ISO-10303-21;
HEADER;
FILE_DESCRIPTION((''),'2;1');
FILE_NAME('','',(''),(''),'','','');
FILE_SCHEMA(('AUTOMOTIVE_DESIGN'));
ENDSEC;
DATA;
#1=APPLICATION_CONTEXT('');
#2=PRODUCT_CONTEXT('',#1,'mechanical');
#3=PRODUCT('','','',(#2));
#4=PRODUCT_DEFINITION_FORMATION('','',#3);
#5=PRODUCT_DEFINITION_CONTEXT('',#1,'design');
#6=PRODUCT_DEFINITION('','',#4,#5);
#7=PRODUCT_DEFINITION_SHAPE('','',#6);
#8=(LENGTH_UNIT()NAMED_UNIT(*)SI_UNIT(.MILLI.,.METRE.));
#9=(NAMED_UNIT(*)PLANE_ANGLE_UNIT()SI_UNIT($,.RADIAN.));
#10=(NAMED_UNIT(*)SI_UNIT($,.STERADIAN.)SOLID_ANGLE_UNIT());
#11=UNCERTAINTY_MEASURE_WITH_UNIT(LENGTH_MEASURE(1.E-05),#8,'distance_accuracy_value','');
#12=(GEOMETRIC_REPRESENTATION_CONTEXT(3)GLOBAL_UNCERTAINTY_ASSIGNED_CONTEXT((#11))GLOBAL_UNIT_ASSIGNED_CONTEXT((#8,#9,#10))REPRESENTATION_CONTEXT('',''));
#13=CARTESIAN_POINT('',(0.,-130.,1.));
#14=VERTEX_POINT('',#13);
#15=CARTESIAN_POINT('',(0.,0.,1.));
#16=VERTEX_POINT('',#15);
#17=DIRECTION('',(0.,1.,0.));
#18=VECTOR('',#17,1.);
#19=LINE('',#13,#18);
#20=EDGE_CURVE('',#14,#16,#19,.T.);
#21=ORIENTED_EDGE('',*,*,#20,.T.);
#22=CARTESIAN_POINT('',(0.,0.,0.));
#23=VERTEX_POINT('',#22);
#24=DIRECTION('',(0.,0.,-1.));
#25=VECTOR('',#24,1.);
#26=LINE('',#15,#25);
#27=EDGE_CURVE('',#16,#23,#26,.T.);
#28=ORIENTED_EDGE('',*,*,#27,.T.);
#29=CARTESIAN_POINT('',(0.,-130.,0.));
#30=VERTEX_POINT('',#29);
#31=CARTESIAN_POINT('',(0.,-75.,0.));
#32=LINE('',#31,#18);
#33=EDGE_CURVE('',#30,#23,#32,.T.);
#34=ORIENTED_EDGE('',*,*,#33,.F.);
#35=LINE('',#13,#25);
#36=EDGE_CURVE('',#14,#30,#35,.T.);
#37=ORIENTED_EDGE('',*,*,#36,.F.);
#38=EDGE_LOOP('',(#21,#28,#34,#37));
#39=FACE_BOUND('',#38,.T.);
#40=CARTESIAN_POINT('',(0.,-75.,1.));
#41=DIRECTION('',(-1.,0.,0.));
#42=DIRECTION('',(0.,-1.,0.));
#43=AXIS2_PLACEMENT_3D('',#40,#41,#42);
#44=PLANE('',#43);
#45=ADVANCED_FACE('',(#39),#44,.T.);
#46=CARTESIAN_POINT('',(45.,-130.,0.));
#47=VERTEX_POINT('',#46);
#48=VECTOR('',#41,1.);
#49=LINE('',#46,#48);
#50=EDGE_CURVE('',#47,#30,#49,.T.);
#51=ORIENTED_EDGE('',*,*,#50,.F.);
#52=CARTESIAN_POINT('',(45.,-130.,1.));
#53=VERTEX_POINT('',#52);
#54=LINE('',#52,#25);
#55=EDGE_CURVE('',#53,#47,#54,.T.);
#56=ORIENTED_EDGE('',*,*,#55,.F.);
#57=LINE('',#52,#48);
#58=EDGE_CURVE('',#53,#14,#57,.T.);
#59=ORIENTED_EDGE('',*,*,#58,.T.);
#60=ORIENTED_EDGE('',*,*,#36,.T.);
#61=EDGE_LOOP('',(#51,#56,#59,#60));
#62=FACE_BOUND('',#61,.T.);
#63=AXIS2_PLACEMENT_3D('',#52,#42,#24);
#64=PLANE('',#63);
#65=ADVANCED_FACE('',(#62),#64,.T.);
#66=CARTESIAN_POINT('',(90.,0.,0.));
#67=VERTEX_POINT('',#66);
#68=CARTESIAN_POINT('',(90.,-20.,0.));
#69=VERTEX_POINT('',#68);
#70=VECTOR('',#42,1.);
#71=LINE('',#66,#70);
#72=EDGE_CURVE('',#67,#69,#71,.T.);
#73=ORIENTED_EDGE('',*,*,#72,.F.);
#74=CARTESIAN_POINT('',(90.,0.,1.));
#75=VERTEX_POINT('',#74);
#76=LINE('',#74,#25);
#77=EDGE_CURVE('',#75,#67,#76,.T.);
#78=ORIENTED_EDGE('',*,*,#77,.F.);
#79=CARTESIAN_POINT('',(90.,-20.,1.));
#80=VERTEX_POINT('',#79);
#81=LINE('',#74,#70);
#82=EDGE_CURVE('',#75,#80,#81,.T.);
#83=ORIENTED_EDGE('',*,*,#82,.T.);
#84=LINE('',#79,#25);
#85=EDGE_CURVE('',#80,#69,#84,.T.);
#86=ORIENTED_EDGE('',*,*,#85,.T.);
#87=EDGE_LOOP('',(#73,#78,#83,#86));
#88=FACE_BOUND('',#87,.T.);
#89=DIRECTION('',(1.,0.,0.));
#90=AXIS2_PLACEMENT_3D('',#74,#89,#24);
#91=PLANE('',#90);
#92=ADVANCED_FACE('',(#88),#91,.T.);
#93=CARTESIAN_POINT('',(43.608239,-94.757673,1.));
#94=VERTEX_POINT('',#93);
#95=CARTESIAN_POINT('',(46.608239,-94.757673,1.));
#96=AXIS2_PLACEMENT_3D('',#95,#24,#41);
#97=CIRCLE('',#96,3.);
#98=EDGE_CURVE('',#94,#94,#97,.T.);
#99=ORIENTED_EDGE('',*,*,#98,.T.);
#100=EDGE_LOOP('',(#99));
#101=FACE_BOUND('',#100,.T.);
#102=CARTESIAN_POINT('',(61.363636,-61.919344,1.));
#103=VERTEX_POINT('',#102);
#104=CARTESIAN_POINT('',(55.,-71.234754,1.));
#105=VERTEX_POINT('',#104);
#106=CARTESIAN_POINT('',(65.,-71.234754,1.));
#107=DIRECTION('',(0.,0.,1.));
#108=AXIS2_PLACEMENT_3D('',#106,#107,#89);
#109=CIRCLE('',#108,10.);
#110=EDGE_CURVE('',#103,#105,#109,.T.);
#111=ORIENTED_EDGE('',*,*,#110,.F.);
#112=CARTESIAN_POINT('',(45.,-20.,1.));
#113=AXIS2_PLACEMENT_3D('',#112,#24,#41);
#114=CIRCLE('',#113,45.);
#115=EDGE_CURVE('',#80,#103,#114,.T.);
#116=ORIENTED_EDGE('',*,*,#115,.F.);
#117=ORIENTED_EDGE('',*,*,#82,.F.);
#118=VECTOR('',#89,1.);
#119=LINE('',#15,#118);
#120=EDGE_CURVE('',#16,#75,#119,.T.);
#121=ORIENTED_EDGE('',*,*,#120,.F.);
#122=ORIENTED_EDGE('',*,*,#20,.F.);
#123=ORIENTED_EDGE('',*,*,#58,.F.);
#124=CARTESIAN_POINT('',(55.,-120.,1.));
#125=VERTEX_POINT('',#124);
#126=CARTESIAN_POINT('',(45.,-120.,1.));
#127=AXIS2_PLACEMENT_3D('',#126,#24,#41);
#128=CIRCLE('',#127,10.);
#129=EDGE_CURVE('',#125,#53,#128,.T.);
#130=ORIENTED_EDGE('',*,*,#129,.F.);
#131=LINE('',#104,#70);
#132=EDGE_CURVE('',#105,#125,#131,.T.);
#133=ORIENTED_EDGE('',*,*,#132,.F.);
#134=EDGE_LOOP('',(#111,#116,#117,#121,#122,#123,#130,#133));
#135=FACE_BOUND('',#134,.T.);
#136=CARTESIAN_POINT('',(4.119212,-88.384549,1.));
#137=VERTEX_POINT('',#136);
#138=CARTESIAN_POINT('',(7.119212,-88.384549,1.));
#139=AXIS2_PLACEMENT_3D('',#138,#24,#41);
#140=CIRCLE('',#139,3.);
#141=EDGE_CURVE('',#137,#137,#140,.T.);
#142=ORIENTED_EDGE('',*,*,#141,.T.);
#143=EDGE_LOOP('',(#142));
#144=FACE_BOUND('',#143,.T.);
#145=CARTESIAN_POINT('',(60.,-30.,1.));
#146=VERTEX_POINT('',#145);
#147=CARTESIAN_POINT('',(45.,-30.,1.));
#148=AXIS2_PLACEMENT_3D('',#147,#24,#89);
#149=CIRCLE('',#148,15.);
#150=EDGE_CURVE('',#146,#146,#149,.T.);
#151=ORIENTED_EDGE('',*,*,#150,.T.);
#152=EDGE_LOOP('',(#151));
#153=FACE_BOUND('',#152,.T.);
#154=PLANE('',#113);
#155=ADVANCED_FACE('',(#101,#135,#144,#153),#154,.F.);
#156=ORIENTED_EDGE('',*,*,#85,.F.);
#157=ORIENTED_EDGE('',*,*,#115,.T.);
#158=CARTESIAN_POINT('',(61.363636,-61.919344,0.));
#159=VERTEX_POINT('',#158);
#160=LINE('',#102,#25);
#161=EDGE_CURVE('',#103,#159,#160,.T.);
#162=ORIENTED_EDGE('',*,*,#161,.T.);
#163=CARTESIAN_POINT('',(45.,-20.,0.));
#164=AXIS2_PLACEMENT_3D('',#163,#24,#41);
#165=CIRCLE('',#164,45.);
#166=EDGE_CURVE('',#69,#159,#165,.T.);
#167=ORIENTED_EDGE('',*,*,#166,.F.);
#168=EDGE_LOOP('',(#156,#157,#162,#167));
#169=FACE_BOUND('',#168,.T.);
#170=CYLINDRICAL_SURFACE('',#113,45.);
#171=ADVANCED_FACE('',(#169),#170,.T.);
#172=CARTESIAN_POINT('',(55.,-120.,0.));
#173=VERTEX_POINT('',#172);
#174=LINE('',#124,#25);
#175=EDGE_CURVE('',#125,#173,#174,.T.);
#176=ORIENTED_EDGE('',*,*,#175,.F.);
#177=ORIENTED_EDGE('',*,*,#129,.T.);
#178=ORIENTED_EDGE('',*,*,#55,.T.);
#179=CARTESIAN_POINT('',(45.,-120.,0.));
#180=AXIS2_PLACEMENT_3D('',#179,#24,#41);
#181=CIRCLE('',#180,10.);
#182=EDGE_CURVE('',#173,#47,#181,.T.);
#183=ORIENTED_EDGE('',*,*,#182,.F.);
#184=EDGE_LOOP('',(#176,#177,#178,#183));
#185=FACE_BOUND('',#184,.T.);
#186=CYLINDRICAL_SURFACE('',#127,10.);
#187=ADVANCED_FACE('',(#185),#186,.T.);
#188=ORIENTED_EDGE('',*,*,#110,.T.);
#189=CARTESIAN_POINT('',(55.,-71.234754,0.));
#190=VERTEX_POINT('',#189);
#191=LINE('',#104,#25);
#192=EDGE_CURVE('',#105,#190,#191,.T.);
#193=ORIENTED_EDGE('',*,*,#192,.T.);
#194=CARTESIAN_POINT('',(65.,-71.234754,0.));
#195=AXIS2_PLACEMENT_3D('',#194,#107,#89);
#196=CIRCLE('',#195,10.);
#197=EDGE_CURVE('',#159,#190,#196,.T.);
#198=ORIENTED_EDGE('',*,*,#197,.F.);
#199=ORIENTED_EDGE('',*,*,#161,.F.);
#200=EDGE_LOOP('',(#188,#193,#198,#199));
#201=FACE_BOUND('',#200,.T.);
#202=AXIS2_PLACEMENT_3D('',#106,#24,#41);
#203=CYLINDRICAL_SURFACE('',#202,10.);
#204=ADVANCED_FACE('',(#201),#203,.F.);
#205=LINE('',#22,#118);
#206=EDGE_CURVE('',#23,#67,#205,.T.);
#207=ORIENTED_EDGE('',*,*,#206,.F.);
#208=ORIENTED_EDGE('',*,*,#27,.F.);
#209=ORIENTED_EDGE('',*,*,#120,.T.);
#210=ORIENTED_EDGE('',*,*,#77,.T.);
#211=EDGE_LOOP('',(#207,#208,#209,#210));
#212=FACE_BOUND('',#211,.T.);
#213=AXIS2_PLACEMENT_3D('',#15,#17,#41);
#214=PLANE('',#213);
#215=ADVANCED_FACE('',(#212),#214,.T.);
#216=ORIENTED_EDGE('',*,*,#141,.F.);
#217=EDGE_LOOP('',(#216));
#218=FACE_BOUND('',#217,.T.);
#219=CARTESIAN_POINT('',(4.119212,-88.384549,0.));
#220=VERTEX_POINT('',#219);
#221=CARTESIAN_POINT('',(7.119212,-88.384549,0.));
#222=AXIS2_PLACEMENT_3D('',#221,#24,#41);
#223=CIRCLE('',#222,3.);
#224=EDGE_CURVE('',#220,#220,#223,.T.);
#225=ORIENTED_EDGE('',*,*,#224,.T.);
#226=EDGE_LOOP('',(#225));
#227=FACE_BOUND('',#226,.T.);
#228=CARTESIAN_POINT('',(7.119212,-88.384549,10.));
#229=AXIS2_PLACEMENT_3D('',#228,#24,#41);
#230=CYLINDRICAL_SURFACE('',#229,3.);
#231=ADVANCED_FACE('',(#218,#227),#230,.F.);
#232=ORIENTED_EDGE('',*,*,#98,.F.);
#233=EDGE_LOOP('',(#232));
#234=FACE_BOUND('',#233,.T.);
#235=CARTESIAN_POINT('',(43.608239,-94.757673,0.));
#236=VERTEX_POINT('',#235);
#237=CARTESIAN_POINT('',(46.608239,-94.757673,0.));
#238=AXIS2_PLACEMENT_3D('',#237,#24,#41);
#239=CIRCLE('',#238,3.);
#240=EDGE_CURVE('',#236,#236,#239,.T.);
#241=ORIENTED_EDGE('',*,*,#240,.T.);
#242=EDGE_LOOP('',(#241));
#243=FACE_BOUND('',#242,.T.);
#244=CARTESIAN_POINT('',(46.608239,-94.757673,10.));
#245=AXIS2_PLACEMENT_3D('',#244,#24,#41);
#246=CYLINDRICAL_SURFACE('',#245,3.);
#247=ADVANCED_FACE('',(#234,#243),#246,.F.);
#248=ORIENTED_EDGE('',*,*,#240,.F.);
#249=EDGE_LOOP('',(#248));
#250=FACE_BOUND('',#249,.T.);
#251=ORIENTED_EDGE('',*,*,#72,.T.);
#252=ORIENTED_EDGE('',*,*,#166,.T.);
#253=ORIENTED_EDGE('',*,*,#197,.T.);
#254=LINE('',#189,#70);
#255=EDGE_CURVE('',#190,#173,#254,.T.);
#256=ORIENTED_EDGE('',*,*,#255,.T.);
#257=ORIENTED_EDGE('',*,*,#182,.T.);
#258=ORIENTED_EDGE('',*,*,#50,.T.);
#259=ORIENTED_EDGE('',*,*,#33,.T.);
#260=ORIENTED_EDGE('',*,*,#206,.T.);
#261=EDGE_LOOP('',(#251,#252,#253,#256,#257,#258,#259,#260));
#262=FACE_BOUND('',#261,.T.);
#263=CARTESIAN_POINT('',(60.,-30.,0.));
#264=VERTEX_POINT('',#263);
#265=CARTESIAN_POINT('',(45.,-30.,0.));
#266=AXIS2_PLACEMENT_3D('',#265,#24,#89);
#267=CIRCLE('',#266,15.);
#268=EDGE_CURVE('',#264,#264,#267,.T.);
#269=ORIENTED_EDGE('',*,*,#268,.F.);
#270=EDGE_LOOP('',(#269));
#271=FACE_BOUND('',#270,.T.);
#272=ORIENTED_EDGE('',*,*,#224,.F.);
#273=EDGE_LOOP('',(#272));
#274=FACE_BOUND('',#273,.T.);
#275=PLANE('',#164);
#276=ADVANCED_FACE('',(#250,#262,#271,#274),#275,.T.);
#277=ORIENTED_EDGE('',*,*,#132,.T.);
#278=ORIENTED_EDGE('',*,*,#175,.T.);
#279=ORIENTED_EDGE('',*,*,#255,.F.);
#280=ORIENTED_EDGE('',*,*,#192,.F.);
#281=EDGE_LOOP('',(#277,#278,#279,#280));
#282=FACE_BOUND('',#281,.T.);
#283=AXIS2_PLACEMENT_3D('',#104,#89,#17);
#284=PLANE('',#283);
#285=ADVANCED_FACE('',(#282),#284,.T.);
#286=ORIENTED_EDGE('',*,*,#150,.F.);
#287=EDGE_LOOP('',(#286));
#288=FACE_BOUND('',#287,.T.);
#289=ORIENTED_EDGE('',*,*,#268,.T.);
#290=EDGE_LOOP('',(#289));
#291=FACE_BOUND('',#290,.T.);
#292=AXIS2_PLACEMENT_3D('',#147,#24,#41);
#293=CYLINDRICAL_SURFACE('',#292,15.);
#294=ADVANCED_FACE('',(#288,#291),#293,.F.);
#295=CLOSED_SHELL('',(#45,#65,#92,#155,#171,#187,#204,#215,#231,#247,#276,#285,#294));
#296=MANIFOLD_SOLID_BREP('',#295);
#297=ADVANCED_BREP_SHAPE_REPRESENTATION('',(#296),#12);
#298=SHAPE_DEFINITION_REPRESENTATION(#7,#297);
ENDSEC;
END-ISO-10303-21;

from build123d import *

# Parameters (mm, degrees)
SKETCH1_R           = 15
BOSS_EXTRUDE1_DEPTH = 1
CUT_EXTRUDE1_DEPTH  = 10


with BuildPart() as part:
    # Sketch1 → Boss-Extrude1 (new body)
    with BuildSketch(Plane(origin=(0, 0, 0), x_dir=(-1, 0, 0), z_dir=(0, 0, -1))):
        with BuildLine():
            Line((0, -75), (0, 0))
            Line((0, 0), (-90, 0))
            Line((-90, 0), (-90, -20))
            ThreePointArc((-90, -20), (-82.157527073, -45.383423367), (-61.363636364, -61.919344043))
            ThreePointArc((-61.363636364, -61.919344043), (-56.742771762, -65.593993082), (-55, -71.23475383))
            Line((-55, -71.23475383), (-55, -120))
            ThreePointArc((-55, -120), (-52.071067812, -127.071067812), (-45, -130))
            Line((-45, -130), (0, -130))
            Line((0, -130), (0, -75))
        make_face()
        with Locations((-45, -30)):
            Circle(SKETCH1_R, mode=Mode.SUBTRACT)
    extrude(amount=-BOSS_EXTRUDE1_DEPTH)

    # Sketch2 → Cut-Extrude1 (cut)
    with BuildSketch(Plane(origin=(0, 0, 0), x_dir=(-1, 0, 0), z_dir=(0, 0, -1))):
        with BuildLine():
            ThreePointArc((-43.646562299, -94.279689067), (-47.086223708, -91.795996374), (-49.569916401, -95.235657783))
            ThreePointArc((-49.569916401, -95.235657783), (-46.130254992, -97.719350476), (-43.646562299, -94.279689067))
        make_face()
        with BuildLine():
            ThreePointArc((-10.080889056, -88.862533012), (-6.641227647, -91.346225705), (-4.157534954, -87.906564297))
            ThreePointArc((-4.157534954, -87.906564297), (-7.597196363, -85.422871604), (-10.080889056, -88.862533012))
        make_face()
    extrude(amount=-CUT_EXTRUDE1_DEPTH, mode=Mode.SUBTRACT)


solid = part.part
